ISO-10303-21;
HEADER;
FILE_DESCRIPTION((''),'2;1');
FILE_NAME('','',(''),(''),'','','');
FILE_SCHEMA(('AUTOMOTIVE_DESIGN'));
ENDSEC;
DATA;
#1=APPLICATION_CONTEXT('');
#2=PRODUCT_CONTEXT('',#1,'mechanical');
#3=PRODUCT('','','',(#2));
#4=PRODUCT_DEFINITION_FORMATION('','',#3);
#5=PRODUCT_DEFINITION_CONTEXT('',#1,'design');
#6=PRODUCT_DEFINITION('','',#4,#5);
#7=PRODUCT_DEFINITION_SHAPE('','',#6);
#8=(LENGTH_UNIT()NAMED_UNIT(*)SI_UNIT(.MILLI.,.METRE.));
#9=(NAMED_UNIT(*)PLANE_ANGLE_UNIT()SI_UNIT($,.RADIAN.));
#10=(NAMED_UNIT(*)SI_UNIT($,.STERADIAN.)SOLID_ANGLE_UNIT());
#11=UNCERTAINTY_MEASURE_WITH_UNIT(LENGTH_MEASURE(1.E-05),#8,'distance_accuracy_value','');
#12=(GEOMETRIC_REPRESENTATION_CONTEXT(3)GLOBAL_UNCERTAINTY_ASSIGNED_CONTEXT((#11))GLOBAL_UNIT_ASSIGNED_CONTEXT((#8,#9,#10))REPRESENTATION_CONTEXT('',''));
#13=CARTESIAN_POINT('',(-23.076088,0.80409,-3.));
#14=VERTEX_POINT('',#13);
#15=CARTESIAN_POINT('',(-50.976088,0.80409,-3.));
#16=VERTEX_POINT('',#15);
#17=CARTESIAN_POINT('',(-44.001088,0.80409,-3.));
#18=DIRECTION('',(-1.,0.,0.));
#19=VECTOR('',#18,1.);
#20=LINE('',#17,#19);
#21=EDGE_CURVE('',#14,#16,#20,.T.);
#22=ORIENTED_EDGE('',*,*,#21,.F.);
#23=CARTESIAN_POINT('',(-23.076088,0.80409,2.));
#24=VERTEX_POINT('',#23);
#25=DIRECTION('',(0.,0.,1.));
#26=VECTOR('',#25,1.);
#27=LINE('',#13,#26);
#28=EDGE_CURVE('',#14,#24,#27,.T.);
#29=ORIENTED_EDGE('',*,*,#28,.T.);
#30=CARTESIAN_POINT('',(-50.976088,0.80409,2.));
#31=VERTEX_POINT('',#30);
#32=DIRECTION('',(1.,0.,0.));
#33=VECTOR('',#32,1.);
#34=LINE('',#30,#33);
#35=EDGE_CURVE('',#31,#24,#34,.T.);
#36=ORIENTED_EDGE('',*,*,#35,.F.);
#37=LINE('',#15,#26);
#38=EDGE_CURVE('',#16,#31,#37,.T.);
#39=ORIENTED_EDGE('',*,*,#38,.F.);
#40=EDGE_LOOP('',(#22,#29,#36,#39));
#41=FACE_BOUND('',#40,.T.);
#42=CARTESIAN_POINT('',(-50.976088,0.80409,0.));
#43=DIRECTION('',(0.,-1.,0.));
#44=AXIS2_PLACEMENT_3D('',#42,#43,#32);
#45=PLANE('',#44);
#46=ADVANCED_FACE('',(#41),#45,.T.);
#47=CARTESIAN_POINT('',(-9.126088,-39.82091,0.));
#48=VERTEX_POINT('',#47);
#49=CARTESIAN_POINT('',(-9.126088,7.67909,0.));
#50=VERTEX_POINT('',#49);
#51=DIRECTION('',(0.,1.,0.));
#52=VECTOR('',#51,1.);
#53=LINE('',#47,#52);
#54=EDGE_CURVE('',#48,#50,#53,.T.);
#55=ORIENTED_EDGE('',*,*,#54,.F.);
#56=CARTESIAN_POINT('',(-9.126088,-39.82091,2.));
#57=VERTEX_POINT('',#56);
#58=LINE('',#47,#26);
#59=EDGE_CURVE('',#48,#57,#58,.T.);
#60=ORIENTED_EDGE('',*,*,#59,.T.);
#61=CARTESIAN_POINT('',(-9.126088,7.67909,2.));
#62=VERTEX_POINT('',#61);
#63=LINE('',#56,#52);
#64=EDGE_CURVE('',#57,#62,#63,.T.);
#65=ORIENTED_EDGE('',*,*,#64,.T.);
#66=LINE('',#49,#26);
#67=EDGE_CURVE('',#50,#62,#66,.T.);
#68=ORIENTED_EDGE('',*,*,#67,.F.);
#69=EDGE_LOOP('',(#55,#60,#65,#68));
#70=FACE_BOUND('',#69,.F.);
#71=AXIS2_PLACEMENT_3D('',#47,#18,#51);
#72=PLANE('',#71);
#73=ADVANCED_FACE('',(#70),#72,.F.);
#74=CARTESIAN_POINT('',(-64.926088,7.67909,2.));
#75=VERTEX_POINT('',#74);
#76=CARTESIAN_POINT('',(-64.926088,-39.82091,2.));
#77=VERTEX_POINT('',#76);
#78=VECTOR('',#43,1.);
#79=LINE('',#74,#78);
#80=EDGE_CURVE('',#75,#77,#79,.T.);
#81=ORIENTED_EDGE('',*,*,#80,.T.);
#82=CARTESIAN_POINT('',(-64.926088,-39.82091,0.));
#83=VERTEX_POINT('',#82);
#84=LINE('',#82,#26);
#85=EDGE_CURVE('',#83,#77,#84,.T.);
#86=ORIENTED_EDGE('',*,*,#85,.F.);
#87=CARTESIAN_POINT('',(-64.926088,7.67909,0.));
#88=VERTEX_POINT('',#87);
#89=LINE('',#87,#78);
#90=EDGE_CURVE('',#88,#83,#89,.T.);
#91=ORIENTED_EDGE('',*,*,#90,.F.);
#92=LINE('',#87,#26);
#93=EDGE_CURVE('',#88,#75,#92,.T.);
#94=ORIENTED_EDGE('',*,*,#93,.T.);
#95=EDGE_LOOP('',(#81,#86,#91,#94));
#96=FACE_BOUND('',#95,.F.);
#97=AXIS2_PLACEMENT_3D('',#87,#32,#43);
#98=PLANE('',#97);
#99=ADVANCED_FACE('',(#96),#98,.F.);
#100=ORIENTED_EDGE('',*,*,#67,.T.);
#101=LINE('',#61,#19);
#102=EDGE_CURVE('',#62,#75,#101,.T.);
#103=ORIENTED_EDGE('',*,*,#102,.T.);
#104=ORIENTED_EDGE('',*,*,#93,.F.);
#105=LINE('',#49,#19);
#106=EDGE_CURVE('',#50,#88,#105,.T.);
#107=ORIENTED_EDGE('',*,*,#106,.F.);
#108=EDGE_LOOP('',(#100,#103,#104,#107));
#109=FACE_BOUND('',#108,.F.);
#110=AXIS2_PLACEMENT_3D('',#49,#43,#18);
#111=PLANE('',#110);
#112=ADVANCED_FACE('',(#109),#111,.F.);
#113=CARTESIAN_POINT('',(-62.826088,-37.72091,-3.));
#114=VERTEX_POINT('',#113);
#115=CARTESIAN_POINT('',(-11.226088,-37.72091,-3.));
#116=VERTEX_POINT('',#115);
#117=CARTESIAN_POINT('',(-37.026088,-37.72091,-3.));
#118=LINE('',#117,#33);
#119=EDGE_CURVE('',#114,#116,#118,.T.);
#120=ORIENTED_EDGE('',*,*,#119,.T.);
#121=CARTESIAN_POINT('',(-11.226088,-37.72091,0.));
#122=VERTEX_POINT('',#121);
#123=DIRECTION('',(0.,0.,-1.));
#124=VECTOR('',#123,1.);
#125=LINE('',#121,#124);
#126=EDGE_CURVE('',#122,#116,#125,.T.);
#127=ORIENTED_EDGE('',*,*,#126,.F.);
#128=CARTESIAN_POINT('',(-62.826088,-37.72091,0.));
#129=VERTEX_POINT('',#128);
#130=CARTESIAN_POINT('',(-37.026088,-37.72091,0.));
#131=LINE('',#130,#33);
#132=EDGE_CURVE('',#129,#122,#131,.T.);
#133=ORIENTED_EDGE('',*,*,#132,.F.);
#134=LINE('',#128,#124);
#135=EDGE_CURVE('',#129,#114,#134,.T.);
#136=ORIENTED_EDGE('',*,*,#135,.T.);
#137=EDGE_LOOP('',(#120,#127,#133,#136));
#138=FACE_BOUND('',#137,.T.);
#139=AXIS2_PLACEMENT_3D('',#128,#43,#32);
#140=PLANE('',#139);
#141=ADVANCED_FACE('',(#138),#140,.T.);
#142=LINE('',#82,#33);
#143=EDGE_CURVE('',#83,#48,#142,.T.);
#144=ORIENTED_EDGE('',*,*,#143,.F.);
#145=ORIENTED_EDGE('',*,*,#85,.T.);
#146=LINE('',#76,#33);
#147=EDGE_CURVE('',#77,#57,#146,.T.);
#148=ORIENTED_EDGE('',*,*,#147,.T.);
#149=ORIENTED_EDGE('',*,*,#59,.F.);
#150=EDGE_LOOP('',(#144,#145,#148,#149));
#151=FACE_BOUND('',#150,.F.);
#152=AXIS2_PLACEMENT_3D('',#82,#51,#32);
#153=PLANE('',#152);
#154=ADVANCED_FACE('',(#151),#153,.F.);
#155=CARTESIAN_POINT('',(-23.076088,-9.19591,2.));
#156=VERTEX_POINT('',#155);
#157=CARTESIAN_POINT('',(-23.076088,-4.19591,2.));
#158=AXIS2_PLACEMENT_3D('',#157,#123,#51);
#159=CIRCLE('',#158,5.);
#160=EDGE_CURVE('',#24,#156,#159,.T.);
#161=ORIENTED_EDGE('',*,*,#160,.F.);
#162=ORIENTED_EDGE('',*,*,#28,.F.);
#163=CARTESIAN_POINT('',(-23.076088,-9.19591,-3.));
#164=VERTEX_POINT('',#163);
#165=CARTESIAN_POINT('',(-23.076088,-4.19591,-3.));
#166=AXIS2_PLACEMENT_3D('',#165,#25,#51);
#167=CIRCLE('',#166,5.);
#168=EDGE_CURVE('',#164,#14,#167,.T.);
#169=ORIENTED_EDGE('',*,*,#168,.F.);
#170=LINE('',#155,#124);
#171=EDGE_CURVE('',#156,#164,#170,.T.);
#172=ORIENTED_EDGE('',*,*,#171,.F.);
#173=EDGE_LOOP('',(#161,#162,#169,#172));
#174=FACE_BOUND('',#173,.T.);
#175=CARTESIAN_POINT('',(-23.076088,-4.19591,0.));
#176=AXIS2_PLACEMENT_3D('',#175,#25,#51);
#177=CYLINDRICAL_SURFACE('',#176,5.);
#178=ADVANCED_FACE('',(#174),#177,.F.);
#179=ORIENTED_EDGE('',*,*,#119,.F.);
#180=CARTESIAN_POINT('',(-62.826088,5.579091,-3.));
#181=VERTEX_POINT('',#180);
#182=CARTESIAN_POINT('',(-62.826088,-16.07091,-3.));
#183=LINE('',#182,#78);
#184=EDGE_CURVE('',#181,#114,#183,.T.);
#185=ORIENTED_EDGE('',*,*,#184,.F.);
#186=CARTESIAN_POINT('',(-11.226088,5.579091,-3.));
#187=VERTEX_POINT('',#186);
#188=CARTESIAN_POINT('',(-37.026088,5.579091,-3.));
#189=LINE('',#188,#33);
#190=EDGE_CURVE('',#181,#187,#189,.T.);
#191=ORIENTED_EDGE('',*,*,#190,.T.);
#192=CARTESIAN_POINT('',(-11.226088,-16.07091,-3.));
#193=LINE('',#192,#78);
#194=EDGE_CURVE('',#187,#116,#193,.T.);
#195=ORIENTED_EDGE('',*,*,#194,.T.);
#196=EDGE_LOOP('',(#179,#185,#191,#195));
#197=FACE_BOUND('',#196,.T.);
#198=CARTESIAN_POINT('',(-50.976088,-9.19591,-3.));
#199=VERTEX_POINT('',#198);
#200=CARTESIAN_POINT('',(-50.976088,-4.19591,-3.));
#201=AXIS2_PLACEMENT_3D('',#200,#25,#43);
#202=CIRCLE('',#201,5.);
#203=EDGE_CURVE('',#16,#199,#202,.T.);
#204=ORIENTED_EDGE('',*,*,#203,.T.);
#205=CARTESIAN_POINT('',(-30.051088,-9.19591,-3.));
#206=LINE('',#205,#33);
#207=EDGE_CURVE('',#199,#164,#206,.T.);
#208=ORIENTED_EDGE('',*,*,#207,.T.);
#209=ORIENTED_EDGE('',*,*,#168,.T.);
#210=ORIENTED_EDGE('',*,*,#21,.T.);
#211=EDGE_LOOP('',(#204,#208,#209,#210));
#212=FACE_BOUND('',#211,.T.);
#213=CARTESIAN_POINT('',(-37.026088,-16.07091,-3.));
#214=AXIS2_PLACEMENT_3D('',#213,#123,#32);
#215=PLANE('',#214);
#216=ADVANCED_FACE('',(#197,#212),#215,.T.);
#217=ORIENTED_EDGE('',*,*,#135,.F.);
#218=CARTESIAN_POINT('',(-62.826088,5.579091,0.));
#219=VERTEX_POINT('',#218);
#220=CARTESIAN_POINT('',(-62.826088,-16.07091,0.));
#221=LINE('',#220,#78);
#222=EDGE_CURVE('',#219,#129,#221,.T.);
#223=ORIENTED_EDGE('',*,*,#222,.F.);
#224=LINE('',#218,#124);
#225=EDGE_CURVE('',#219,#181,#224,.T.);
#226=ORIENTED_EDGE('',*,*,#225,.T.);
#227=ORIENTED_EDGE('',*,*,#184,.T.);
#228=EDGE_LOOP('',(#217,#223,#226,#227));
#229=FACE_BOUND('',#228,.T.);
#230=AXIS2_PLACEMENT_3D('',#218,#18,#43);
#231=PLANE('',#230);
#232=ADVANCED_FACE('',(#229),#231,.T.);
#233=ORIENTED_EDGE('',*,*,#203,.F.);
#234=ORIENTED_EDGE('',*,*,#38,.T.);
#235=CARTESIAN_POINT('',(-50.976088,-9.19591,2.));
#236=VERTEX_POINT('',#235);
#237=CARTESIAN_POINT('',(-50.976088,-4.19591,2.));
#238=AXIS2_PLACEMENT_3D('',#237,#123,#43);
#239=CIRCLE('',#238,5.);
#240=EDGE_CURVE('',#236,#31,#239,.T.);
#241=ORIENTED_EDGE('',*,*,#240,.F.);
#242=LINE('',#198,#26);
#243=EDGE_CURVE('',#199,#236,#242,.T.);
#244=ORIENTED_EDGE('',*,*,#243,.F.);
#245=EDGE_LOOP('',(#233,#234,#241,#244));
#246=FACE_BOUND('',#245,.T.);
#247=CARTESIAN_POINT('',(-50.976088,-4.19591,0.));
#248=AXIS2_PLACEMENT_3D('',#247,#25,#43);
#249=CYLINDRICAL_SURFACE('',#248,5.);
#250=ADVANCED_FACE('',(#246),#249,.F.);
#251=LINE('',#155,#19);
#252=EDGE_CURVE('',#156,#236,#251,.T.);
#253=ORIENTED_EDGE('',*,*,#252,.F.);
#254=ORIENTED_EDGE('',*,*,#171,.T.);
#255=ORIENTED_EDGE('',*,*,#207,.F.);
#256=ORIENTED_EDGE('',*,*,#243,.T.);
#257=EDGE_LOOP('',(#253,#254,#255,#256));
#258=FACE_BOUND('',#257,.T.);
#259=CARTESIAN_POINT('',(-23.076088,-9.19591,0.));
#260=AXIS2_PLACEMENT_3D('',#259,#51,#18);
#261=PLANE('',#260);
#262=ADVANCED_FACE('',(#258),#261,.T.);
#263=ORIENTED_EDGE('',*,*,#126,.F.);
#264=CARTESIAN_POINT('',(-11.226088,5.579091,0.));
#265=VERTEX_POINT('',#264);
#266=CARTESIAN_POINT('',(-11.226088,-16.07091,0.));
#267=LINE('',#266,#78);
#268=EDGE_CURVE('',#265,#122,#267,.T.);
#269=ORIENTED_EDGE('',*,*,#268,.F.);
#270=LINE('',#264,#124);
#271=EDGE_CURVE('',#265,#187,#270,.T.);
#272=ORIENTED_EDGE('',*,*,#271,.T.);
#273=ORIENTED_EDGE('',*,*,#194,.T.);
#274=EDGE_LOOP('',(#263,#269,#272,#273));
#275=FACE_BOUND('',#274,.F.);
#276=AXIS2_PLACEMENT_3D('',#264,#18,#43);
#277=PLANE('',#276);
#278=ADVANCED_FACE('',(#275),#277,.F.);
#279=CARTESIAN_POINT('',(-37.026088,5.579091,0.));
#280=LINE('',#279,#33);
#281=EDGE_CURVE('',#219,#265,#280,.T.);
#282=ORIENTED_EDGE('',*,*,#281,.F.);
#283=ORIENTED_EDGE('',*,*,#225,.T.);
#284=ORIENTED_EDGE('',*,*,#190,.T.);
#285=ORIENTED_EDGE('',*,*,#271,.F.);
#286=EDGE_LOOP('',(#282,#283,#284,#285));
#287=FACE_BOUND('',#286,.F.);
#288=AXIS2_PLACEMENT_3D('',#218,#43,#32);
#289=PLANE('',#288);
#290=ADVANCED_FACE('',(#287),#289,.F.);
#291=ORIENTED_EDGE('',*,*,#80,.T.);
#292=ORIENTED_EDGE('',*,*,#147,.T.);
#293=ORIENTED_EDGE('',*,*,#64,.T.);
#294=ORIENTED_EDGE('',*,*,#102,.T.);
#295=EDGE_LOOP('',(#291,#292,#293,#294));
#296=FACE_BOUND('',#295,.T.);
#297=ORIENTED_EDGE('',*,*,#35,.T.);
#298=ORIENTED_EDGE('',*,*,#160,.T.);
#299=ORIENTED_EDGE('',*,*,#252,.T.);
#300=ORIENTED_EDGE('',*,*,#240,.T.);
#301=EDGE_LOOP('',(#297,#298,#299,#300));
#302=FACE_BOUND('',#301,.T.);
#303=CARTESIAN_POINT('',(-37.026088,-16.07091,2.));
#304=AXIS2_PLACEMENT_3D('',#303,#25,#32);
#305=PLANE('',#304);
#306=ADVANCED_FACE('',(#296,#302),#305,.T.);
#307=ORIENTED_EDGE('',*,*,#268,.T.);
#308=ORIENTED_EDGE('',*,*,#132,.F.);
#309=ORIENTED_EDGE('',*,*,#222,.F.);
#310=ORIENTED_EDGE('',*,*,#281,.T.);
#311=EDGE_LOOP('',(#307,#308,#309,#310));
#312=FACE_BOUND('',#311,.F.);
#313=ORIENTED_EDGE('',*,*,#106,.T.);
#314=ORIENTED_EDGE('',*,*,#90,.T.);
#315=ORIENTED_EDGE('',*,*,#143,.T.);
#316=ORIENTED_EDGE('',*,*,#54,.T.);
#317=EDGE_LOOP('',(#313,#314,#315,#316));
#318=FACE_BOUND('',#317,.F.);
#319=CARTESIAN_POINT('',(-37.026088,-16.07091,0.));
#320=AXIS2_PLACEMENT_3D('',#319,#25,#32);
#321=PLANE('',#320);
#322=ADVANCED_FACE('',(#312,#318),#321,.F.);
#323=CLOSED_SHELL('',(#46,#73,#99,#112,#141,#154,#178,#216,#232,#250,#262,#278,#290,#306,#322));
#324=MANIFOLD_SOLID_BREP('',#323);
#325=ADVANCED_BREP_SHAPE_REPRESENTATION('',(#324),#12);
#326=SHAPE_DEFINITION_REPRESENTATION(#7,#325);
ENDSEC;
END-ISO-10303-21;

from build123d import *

# Parameters (mm, degrees)
F1_DEPTH = 2
F2_W     = 51.6000000954
F2_H     = 43.3000000954
F3_DEPTH = 3
F4_DEPTH = 17.9


with BuildPart() as f1:
    # F0 (on Top) → F1 (new body)
    with BuildSketch(Plane.XY):
        Polygon((-9.1260878563, 7.6790904999), (-64.9260878563, 7.6790904999), (-64.9260878563, -39.8209095001), (-9.1260878563, -39.8209095001), (-9.1260878563, -16.0709095001), align=None)
        with BuildLine():
            ThreePointArc((-50.9760878563, -9.1959095001), (-55.9760878563, -4.1959095001), (-50.9760878563, 0.8040904999))
            Line((-50.9760878563, 0.8040904999), (-23.0760878563, 0.8040904999))
            ThreePointArc((-23.0760878563, 0.8040904999), (-18.0760878563, -4.1959095001), (-23.0760878563, -9.1959095001))
            Line((-23.0760878563, -9.1959095001), (-50.9760878563, -9.1959095001))
        make_face(mode=Mode.SUBTRACT)
    extrude(amount=F1_DEPTH)

    # F2 (on face) → F3 (join)
    with BuildSketch(Plane(origin=(0, 0, 0), x_dir=(1, 0, 0), z_dir=(0, 0, -1))):
        with Locations((-37.0260878563, 16.0709095001)):
            Rectangle(F2_W, F2_H)
    extrude(amount=F3_DEPTH)

    # F4 (cut): a face of the model
    f4_faces = [f1.faces().sort_by_distance(p)[0] for p in [
        (-37.0260878563, -4.1959095001, 0),
    ]]
    extrude(f4_faces, amount=-F4_DEPTH, mode=Mode.SUBTRACT)


solid = f1.part
